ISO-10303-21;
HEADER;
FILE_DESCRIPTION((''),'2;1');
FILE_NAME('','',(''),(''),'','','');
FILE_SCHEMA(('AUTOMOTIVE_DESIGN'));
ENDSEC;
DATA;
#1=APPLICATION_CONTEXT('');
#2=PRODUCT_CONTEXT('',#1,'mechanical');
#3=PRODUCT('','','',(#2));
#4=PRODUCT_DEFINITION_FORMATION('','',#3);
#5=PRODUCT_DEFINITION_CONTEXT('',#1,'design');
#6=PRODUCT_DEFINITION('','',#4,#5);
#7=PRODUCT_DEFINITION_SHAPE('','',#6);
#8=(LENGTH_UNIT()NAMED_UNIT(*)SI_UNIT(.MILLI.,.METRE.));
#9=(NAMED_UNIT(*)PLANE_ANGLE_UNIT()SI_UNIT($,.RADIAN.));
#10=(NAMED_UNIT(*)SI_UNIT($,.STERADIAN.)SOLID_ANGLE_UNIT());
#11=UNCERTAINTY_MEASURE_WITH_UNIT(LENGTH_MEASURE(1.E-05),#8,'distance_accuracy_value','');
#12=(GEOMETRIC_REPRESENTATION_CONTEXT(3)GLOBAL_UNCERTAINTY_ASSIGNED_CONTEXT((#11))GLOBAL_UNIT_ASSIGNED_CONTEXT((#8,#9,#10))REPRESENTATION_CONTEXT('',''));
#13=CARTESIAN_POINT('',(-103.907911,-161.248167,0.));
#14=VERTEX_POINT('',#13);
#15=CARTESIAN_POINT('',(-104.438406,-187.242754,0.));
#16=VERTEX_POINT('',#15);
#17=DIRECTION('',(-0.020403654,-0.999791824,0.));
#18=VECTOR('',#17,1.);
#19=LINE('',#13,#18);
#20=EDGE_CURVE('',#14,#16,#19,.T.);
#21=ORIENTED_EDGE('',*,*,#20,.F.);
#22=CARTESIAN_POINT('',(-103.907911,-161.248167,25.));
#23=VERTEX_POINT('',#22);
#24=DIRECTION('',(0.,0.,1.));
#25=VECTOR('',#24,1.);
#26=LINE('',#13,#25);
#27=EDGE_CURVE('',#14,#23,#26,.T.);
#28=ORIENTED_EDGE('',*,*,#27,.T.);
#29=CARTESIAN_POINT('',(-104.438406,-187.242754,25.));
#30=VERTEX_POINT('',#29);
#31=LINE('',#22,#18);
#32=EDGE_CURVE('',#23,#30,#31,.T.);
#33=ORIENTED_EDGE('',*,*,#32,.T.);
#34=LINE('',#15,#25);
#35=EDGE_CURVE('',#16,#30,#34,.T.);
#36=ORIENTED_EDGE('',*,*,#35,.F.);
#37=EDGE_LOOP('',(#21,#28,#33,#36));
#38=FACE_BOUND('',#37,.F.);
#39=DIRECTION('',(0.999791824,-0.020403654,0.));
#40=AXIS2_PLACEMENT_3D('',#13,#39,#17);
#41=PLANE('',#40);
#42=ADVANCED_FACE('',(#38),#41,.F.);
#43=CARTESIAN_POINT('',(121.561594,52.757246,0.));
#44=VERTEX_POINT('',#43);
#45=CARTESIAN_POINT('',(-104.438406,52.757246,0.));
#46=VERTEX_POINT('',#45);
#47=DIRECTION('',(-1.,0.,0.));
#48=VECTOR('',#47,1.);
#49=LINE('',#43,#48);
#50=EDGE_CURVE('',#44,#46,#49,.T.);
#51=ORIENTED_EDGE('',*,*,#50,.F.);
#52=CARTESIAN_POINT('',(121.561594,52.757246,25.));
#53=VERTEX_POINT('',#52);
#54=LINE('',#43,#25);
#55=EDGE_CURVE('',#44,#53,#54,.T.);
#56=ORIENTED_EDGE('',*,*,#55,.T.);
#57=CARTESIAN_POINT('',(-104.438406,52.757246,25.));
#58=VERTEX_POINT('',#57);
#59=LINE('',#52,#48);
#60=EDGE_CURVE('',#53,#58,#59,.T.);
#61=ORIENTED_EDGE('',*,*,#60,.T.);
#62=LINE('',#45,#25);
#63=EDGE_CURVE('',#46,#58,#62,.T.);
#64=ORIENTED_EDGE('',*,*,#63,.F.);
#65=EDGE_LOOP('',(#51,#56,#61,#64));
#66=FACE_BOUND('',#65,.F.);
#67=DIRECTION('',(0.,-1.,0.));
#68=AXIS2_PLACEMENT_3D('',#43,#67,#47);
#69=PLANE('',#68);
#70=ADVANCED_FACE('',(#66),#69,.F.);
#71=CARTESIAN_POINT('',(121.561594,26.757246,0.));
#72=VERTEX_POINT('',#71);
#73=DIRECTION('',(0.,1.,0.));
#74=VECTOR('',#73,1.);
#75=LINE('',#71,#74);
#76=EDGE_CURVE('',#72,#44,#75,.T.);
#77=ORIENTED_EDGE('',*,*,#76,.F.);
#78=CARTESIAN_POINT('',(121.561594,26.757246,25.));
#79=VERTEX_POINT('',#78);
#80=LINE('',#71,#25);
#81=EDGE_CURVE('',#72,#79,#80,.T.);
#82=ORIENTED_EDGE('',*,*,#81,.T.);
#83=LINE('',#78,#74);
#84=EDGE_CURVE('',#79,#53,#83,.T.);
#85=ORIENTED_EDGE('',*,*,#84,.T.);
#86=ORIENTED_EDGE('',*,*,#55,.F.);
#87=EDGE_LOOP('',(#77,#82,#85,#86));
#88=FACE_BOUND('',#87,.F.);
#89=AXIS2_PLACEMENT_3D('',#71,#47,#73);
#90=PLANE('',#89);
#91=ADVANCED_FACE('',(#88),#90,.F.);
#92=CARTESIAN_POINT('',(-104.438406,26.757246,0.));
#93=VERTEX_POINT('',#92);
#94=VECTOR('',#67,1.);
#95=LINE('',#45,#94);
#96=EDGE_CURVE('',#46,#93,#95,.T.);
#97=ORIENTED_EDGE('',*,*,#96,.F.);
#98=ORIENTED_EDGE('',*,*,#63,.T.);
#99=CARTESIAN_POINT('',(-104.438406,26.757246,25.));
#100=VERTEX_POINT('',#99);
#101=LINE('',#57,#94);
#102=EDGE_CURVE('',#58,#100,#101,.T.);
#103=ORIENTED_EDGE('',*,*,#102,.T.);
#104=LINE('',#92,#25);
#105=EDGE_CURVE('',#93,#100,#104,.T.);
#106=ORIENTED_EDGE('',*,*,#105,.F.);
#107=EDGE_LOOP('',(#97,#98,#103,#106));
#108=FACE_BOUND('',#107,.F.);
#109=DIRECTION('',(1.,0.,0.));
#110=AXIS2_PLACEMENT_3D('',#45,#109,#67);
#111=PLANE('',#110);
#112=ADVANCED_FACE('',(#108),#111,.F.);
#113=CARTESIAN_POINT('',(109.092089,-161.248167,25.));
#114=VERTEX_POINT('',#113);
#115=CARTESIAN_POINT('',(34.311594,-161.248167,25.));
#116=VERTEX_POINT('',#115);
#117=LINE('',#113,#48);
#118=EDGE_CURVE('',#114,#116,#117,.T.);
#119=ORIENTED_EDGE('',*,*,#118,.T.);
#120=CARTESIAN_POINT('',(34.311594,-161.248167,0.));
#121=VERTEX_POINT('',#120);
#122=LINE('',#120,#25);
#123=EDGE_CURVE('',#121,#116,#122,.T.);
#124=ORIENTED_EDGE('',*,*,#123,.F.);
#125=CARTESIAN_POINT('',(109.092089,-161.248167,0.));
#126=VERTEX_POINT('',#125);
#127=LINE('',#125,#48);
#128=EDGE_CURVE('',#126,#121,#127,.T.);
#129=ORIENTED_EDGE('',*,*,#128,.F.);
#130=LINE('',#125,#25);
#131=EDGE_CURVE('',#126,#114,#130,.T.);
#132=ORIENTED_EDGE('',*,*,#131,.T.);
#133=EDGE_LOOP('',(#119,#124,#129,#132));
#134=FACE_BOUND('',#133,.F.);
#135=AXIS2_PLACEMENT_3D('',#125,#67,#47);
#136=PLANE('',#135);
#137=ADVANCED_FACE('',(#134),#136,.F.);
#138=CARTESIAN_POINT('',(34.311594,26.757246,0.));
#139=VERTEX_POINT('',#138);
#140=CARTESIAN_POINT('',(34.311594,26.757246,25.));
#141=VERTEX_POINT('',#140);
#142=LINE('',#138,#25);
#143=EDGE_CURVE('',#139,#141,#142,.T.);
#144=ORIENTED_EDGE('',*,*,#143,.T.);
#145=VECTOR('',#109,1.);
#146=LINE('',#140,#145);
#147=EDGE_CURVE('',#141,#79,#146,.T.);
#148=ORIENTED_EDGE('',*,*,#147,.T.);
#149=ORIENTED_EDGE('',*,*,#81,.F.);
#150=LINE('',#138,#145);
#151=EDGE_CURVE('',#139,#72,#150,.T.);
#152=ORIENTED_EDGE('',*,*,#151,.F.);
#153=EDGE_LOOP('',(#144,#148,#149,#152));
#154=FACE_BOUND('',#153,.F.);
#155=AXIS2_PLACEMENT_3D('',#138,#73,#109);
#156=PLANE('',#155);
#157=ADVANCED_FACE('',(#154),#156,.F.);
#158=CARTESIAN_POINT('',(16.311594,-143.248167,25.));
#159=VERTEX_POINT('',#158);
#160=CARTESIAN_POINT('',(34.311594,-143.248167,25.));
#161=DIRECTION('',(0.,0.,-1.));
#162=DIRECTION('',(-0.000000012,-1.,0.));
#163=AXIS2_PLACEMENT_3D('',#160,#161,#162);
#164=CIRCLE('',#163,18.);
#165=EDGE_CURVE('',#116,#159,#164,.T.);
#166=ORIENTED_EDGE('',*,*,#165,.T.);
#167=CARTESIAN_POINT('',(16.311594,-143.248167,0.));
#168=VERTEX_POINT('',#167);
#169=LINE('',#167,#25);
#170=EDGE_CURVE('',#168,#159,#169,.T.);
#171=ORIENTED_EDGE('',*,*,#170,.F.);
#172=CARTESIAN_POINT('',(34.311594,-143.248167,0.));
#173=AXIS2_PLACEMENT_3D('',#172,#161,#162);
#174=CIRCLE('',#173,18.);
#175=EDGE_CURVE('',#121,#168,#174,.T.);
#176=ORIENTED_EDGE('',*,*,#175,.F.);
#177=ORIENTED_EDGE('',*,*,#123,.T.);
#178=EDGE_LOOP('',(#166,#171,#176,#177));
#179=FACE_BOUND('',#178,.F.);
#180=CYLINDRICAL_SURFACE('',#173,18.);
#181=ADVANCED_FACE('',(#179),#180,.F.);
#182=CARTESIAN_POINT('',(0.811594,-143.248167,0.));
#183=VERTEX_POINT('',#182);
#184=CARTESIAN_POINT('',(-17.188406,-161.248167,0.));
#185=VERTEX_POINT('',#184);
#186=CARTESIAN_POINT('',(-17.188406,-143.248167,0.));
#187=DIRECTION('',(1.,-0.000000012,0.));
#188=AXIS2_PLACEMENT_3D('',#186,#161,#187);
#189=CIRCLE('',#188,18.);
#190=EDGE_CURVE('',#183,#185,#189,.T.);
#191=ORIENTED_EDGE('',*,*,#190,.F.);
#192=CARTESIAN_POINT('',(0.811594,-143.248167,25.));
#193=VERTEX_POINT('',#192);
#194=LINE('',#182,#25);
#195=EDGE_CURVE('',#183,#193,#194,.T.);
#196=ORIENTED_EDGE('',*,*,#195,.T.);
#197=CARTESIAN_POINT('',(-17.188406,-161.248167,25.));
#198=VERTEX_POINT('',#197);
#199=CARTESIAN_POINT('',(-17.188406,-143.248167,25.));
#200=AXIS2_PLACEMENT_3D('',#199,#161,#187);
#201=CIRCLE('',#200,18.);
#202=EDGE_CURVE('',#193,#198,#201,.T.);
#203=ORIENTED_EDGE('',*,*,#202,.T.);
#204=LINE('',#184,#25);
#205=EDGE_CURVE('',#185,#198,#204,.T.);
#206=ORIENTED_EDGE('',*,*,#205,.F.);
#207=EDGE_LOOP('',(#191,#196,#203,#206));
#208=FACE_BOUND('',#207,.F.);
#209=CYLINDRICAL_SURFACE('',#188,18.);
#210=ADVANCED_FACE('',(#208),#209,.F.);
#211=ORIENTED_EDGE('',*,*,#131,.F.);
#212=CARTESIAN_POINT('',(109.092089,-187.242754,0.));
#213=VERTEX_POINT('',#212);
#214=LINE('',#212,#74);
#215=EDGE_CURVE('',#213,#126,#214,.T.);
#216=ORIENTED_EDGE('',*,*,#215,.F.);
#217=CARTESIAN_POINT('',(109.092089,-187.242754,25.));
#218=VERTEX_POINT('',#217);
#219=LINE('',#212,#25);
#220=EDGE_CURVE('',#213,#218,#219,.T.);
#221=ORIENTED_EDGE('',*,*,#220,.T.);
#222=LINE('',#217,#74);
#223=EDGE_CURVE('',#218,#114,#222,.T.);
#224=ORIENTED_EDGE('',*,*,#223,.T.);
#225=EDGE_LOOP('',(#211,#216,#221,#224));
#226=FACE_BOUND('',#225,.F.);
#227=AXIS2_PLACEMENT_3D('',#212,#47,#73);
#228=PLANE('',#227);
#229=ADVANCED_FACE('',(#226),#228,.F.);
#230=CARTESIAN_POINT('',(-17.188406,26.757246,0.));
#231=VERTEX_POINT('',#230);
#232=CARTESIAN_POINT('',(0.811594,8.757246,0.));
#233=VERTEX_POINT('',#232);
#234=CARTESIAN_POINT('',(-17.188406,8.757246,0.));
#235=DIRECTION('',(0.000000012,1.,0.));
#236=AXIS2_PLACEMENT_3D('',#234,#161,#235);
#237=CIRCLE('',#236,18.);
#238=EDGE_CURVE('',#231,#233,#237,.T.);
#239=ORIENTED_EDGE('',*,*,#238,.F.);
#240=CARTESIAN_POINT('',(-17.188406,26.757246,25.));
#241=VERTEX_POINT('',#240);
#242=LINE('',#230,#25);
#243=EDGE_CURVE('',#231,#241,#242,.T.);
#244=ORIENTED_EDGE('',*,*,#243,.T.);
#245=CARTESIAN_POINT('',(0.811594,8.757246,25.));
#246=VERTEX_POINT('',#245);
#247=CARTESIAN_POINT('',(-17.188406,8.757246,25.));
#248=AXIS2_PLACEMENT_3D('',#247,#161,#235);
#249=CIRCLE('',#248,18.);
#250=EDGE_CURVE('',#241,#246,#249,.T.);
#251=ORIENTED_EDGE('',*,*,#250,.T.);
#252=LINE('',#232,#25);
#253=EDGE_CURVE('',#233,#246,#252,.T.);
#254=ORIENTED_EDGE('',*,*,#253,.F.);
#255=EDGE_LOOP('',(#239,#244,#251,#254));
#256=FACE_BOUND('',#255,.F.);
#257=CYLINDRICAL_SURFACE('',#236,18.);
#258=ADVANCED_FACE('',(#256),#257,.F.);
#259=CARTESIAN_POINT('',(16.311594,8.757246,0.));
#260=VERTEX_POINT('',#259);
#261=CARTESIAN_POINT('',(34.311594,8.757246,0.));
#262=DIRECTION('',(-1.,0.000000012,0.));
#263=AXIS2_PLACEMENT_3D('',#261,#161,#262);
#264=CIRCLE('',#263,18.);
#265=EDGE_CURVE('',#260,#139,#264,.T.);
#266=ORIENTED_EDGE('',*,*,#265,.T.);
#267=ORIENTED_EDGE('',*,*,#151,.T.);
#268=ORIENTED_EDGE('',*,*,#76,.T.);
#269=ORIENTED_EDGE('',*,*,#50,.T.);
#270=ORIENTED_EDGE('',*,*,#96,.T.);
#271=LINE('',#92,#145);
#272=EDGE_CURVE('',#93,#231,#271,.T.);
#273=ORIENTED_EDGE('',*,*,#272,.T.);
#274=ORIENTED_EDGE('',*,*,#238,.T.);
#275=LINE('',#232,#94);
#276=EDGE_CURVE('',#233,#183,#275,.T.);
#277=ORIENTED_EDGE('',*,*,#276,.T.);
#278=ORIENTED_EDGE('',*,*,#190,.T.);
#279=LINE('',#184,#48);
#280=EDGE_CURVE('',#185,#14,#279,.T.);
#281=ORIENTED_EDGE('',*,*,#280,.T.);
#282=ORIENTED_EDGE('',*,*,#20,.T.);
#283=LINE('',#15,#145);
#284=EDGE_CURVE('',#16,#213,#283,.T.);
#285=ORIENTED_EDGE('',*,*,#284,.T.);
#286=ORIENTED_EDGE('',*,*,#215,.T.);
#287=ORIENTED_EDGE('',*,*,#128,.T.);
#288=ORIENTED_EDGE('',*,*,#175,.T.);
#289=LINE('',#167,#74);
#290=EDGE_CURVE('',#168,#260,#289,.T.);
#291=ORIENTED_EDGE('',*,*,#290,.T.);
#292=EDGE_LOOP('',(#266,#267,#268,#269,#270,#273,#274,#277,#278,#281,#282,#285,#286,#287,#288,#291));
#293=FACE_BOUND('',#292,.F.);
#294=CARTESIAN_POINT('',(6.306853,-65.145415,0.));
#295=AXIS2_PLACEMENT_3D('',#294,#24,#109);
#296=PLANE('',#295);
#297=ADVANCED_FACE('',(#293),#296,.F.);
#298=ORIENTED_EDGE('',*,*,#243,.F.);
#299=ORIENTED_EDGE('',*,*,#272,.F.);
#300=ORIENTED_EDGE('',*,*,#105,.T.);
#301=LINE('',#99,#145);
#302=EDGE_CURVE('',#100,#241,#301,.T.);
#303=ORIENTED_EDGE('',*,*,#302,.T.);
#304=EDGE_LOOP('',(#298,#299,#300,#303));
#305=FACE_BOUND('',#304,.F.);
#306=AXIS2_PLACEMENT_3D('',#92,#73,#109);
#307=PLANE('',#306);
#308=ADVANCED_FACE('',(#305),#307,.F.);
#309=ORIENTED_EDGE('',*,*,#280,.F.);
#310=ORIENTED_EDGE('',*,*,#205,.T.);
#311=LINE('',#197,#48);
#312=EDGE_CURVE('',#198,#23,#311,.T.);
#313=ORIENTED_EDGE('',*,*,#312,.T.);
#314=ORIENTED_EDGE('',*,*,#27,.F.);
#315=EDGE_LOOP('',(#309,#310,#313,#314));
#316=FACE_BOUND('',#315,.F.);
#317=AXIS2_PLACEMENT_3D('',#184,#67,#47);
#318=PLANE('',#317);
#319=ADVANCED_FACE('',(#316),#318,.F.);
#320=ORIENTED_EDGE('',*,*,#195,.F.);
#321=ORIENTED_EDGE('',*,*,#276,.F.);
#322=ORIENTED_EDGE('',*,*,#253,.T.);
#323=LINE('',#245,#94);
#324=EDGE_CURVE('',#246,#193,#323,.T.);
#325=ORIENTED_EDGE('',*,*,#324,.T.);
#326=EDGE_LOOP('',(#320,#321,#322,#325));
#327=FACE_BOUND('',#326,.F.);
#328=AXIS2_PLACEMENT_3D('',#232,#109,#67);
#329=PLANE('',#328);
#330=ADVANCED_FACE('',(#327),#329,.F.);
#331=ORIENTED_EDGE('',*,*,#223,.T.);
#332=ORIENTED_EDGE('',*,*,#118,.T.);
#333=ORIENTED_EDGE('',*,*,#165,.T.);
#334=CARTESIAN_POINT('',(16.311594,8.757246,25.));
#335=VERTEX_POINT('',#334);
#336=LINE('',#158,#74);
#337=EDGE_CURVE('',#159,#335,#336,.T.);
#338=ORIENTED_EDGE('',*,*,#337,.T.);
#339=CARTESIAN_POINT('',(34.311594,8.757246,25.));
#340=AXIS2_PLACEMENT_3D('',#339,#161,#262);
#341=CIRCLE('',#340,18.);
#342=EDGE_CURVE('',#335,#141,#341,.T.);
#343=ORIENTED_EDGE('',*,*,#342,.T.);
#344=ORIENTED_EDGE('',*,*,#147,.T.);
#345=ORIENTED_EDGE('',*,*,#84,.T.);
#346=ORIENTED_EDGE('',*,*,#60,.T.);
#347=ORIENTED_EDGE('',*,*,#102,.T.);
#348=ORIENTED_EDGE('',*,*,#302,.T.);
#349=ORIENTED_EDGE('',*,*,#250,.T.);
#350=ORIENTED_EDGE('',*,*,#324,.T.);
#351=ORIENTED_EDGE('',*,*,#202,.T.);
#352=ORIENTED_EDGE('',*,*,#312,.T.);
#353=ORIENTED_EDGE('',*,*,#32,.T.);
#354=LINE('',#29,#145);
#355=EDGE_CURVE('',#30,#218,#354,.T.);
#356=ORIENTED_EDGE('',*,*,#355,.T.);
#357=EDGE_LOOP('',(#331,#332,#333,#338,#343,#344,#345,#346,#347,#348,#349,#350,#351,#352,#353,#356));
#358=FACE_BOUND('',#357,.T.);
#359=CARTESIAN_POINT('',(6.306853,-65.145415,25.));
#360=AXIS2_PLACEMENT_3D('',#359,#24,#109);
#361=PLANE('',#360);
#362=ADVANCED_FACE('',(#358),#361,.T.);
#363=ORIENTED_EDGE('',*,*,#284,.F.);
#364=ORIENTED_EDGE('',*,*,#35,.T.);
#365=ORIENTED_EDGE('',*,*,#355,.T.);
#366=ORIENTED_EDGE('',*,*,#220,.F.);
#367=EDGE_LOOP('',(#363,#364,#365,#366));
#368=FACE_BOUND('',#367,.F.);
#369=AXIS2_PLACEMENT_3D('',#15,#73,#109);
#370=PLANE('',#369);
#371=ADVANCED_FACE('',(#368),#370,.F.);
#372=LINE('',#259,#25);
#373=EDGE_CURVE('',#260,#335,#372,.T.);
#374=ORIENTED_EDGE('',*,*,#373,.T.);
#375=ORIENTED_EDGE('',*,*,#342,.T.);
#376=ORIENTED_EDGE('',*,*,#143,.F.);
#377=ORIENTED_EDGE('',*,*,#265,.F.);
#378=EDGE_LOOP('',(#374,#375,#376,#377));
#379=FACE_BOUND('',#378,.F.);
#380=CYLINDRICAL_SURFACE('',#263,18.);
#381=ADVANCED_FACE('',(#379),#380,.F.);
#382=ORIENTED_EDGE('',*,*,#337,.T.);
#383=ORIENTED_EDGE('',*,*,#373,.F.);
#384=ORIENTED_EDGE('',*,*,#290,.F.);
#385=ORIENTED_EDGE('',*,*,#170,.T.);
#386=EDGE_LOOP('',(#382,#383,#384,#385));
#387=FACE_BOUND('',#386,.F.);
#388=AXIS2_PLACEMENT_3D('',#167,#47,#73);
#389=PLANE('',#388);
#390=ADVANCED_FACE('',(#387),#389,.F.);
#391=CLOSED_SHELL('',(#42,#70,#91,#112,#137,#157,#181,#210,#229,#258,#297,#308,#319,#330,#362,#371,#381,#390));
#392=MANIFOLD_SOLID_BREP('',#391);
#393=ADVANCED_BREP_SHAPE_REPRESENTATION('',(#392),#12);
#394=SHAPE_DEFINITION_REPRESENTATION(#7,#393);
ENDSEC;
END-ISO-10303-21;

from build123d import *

# Parameters (mm, degrees)
F1_DEPTH = 25


with BuildPart() as f1:
    # F0 (on Top) → F1 (new body)
    with BuildSketch(Plane.XY):
        with BuildLine():
            Line((121.561594, 52.757246), (-104.438406, 52.757246))
            Line((-104.438406, 52.757246), (-104.438406, 26.757246))
            Line((-104.438406, 26.757246), (-17.188406, 26.757246))
            ThreePointArc((-17.188406, 26.757246), (-4.460484, 21.485168), (0.811594, 8.757246))
            Line((0.811594, 8.757246), (0.811594, -143.248167))
            ThreePointArc((0.811594, -143.248167), (-4.460484, -155.976089), (-17.188406, -161.248167))
            Line((-17.188406, -161.248167), (-103.907911, -161.248167))
            Line((-103.907911, -161.248167), (-104.438406, -187.242754))
            Line((-104.438406, -187.242754), (109.092089, -187.242754))
            Line((109.092089, -187.242754), (109.092089, -161.248167))
            Line((109.092089, -161.248167), (34.311594, -161.248167))
            ThreePointArc((34.311594, -161.248167), (21.583672, -155.976089), (16.311594, -143.248167))
            Line((16.311594, -143.248167), (16.311594, 8.757246))
            ThreePointArc((16.311594, 8.757246), (21.583672, 21.485168), (34.311594, 26.757246))
            Line((34.311594, 26.757246), (121.561594, 26.757246))
            Line((121.561594, 26.757246), (121.561594, 52.757246))
        make_face()
    extrude(amount=F1_DEPTH)


solid = f1.part
